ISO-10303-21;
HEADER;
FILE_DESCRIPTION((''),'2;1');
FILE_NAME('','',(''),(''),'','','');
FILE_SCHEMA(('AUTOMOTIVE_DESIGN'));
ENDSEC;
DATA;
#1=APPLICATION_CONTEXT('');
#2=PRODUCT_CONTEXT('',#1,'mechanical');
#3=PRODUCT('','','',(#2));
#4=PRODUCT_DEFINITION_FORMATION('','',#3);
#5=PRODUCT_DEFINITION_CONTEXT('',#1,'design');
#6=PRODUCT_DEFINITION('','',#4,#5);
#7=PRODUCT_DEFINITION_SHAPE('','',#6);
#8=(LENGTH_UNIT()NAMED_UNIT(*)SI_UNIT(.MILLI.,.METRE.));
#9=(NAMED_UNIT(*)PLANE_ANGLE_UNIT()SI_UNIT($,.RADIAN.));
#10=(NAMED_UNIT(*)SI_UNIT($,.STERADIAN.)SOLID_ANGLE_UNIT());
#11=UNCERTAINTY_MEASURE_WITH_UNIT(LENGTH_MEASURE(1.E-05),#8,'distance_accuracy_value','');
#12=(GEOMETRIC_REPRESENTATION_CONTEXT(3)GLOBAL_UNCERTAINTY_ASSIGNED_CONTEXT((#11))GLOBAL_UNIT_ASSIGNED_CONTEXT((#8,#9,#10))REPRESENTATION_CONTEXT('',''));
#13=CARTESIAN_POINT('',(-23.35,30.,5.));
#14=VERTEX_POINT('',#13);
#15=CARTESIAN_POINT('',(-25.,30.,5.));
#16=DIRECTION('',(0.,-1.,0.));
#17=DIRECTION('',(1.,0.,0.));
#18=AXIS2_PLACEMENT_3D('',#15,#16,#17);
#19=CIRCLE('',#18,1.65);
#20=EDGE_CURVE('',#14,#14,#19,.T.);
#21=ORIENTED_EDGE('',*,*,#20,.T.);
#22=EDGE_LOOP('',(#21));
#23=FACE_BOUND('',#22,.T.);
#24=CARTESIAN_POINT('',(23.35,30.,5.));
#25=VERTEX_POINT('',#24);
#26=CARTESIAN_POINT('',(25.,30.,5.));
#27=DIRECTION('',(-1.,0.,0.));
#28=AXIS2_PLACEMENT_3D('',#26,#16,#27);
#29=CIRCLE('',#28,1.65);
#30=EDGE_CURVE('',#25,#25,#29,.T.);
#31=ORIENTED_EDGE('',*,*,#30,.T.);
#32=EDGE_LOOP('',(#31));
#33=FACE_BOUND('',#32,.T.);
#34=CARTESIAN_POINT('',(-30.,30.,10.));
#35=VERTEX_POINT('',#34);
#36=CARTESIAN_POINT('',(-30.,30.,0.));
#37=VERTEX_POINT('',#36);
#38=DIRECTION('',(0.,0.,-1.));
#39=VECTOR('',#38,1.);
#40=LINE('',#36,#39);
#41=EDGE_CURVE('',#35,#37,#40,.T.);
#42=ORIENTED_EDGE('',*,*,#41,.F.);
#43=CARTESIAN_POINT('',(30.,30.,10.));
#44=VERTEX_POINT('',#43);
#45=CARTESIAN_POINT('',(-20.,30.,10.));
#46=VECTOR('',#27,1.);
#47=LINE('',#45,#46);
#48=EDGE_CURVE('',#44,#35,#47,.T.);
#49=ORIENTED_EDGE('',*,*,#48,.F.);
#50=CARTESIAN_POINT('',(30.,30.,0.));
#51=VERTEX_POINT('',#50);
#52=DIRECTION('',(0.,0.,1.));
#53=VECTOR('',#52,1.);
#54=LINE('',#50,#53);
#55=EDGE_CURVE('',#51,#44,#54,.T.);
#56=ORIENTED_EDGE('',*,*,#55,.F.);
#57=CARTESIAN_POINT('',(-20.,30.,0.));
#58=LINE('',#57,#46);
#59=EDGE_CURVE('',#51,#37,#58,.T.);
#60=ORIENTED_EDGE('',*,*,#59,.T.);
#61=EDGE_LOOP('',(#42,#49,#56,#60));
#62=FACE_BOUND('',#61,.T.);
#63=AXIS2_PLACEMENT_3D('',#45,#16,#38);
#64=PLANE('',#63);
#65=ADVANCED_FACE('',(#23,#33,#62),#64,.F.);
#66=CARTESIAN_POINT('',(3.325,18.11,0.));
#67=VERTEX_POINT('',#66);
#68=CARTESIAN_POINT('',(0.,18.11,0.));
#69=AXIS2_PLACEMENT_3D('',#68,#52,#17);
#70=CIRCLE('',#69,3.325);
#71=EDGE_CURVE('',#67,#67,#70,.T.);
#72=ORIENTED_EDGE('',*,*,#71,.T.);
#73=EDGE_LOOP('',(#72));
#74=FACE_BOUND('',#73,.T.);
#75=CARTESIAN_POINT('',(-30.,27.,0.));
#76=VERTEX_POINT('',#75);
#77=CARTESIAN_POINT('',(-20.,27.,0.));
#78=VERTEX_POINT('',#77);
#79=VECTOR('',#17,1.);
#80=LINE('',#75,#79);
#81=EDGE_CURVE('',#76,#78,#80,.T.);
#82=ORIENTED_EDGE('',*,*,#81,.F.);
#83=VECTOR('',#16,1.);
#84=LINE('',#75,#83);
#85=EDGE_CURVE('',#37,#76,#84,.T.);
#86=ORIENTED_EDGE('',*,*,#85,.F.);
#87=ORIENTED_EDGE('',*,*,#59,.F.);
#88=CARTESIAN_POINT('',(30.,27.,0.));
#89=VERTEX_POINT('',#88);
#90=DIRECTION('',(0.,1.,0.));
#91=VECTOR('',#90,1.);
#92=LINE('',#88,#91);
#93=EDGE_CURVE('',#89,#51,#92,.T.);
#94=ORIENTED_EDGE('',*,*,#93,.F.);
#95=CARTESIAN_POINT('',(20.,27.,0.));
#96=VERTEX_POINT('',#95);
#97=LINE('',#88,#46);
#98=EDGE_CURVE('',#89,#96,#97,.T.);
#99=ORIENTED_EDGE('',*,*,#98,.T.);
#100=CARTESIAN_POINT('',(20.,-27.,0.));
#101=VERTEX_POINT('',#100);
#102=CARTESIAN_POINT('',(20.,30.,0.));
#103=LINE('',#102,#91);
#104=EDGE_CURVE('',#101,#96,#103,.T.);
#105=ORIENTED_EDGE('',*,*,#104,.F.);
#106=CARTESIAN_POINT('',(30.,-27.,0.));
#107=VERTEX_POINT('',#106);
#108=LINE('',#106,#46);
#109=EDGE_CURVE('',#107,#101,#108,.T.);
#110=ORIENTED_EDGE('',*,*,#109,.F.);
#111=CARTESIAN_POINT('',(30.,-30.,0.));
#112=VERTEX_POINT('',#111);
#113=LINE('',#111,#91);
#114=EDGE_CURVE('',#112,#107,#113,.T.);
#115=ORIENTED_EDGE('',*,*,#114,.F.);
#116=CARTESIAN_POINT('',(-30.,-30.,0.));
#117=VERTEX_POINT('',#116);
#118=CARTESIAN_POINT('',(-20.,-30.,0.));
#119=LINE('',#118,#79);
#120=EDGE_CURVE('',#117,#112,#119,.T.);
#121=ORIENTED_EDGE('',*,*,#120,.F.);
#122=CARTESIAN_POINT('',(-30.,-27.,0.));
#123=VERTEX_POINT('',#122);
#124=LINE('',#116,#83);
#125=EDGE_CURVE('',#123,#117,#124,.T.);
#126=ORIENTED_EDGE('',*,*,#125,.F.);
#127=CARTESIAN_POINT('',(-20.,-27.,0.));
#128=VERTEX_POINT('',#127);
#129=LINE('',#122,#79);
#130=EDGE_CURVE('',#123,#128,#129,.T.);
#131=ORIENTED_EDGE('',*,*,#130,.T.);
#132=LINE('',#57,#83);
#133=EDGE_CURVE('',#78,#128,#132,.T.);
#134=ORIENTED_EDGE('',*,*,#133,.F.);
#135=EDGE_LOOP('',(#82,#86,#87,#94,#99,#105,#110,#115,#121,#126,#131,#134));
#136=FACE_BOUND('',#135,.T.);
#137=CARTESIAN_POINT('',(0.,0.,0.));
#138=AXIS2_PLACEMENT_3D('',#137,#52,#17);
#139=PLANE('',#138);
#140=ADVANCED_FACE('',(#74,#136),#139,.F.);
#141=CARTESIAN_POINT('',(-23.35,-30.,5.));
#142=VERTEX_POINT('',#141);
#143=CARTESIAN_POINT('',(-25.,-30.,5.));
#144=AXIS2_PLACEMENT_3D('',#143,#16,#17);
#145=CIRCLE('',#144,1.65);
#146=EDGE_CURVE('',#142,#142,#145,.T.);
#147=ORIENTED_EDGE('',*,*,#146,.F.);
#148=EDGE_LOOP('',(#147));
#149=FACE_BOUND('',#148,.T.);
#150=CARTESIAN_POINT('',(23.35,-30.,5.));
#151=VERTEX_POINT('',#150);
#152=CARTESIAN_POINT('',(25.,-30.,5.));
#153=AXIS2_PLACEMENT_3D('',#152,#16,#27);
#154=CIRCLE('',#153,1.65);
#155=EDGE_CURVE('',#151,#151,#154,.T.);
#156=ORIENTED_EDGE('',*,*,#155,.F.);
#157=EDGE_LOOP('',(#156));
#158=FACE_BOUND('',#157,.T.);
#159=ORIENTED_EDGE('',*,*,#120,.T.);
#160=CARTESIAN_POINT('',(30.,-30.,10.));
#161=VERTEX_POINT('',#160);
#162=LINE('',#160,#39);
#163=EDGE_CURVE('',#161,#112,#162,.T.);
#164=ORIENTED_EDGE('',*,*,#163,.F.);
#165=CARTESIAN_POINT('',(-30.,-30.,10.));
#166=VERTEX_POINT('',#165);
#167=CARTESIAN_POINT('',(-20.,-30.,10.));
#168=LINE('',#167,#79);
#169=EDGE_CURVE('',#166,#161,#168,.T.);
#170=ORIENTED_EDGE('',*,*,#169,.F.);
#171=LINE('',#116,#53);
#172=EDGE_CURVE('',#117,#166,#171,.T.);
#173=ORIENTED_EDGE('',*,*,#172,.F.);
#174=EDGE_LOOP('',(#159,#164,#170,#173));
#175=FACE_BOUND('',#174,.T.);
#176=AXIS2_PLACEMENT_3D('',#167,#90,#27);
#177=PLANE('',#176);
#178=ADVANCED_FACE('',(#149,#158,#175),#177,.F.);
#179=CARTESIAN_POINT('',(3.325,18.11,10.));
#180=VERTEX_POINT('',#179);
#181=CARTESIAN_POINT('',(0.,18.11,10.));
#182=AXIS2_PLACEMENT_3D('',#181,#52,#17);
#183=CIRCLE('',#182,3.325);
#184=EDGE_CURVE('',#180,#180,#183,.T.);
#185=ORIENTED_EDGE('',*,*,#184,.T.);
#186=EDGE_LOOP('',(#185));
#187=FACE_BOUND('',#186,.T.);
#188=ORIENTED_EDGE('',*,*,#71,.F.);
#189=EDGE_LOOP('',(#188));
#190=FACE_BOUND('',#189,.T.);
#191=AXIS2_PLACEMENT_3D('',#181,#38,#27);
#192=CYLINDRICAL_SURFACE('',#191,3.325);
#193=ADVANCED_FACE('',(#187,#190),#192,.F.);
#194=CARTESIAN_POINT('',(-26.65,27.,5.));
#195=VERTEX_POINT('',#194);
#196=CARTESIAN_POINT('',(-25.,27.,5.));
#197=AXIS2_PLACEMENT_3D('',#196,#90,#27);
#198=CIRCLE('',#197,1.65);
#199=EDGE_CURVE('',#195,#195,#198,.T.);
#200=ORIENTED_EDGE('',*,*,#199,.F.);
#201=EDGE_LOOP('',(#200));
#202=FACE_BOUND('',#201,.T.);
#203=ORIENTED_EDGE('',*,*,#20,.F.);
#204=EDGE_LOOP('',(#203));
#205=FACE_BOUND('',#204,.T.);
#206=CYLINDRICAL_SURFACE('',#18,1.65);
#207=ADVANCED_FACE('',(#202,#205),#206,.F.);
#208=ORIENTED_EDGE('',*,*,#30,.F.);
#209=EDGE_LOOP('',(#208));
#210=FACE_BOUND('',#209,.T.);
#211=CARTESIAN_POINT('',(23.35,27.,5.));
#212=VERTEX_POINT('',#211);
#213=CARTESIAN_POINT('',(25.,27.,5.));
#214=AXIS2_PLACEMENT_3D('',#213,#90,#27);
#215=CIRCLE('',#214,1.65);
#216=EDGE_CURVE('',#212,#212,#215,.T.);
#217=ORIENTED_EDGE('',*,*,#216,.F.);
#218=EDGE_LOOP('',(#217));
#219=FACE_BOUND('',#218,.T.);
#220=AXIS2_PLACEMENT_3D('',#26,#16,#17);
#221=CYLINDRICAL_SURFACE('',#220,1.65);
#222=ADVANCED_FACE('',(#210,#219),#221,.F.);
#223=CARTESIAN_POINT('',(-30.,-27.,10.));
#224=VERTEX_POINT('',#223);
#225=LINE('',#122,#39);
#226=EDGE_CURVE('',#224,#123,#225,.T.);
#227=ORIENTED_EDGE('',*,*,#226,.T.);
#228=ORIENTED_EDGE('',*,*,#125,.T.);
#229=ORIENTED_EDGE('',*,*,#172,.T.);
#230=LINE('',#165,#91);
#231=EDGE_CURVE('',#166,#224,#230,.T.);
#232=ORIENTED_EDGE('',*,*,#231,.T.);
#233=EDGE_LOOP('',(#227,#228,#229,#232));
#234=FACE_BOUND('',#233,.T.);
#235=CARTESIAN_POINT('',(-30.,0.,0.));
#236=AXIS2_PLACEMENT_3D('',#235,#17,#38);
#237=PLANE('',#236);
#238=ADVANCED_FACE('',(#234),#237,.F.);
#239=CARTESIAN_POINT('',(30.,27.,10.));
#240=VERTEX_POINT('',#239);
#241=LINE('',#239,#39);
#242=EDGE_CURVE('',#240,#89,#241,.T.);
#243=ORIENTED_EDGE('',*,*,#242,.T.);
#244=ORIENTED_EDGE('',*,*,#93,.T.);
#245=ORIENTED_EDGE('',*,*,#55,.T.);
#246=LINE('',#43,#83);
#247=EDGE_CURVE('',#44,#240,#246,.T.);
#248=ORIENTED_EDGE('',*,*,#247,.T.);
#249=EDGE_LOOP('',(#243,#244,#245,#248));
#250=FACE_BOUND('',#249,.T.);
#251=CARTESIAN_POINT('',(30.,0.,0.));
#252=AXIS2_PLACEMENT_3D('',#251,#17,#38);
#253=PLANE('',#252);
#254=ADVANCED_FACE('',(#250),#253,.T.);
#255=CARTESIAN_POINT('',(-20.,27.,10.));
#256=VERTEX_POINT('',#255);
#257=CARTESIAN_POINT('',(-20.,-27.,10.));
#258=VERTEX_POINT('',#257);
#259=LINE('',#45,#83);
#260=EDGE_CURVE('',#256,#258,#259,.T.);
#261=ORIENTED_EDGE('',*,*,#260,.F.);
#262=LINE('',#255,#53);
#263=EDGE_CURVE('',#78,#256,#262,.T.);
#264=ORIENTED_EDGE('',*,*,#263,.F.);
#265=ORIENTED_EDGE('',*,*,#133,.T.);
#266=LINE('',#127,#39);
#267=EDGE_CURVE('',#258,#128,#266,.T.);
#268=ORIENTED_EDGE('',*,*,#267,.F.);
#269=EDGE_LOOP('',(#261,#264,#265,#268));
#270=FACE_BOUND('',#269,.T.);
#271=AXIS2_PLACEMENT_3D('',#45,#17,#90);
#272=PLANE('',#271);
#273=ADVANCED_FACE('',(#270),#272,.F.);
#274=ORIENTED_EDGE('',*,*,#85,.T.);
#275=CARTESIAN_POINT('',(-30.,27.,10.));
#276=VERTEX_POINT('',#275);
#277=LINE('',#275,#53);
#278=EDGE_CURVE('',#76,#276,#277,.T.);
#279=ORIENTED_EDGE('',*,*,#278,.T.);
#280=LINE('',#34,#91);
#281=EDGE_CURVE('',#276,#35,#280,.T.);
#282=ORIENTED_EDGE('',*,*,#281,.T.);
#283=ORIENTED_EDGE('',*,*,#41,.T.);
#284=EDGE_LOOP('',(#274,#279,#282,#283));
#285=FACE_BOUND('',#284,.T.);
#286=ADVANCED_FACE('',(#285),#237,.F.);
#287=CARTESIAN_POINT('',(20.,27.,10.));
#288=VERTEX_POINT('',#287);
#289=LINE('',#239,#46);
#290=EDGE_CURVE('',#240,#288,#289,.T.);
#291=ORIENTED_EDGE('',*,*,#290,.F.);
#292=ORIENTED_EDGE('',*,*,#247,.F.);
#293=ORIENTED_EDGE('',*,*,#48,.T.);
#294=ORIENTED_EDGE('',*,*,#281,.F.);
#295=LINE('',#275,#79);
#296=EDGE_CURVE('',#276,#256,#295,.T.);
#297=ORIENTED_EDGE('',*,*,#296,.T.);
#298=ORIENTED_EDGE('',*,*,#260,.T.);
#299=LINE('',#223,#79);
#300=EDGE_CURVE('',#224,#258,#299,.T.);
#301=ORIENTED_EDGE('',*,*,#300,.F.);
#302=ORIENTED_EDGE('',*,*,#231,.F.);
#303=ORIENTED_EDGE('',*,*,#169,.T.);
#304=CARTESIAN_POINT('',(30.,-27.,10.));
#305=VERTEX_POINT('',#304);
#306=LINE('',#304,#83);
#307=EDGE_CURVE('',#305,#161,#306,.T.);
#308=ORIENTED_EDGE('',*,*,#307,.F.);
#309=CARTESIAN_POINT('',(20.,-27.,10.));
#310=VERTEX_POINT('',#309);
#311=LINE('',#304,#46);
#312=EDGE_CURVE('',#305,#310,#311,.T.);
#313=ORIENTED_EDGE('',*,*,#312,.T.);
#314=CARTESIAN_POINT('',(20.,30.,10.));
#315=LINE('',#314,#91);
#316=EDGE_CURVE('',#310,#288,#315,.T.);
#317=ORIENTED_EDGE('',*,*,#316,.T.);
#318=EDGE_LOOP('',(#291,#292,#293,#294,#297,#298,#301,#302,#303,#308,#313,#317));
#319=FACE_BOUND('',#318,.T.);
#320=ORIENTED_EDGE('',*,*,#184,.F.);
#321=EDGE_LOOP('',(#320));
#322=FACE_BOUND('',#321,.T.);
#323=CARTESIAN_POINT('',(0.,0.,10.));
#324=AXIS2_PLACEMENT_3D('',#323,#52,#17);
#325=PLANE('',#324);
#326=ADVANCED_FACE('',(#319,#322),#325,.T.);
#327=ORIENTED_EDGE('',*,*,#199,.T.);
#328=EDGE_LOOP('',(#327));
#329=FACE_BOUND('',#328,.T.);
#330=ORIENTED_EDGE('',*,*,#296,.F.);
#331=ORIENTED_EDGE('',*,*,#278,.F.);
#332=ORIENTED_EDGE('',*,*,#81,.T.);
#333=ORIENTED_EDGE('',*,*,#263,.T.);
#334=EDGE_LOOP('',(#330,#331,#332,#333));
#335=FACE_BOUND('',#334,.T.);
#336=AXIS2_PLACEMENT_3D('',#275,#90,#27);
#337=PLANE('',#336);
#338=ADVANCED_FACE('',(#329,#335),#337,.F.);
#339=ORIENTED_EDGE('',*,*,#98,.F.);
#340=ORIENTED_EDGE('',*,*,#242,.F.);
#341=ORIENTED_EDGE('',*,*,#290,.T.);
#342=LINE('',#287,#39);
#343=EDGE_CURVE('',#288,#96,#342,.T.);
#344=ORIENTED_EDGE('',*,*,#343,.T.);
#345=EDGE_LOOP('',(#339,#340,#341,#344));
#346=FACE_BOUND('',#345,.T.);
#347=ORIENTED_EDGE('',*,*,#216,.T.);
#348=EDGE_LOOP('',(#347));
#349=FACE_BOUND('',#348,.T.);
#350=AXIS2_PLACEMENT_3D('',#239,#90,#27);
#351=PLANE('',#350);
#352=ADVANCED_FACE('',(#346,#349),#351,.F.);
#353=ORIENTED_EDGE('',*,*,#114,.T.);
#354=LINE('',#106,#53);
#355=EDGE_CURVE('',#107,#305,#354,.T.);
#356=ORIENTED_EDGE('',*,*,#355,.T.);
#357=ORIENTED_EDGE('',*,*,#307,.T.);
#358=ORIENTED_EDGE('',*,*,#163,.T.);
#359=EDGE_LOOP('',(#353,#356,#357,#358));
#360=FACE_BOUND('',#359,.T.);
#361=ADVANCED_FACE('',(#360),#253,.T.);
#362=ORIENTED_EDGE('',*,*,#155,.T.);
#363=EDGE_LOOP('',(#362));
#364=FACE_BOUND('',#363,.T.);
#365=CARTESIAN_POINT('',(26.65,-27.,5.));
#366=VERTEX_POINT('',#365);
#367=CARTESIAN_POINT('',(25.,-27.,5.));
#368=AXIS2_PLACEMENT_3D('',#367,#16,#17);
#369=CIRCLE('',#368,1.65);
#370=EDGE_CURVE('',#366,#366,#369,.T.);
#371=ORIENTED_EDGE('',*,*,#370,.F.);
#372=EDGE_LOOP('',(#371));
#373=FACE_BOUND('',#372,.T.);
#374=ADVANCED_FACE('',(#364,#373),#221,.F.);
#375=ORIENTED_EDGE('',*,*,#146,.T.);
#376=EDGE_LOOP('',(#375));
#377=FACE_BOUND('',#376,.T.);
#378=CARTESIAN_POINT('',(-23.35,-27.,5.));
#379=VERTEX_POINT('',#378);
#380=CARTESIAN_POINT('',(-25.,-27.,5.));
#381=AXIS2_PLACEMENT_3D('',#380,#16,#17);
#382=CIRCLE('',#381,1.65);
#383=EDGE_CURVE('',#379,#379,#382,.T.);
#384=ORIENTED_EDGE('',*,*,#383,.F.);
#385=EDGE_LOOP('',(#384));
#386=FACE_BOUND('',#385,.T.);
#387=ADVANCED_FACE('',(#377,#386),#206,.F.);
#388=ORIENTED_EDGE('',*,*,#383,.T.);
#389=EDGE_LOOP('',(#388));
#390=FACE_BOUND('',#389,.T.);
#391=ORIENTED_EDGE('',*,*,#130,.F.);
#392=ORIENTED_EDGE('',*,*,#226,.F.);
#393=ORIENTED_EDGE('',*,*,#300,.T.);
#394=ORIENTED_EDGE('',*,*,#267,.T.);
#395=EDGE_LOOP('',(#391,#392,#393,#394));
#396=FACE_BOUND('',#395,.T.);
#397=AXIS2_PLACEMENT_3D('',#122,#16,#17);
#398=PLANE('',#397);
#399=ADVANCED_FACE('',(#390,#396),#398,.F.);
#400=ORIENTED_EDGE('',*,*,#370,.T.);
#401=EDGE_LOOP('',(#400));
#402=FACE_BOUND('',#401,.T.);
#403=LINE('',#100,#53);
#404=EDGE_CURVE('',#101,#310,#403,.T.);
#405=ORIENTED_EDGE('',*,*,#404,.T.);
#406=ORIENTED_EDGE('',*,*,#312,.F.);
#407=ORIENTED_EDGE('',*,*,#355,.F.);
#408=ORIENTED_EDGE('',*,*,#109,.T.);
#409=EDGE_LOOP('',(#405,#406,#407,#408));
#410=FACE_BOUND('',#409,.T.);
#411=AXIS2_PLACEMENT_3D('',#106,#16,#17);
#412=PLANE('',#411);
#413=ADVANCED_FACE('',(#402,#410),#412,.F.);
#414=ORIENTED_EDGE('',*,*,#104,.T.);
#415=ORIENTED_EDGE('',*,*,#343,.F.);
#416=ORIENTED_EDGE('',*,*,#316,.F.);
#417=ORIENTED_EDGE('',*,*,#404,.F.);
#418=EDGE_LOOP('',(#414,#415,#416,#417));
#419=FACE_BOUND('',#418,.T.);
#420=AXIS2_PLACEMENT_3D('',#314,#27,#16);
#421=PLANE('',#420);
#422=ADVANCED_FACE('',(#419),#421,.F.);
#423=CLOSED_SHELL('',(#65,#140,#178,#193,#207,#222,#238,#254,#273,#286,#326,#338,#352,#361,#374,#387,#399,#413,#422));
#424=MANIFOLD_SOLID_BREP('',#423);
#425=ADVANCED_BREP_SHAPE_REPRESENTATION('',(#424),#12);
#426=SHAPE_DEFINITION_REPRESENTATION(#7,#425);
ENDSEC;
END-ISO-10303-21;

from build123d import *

# Parameters (mm, degrees)
SKETCH1_W                    = 40
SKETCH1_H                    = 60
SKETCH1_R                    = 3.325
BOSS_EXTRUDE1_DEPTH          = 10
ESQUISSE1_W                  = 10
ESQUISSE1_H                  = 3
BOSS_EXTRU_1_DEPTH           = 10
ESQUISSE2_W                  = 10
ESQUISSE2_H                  = 3
BOSS_EXTRU_2_DEPTH           = 10
ENL_V_MAT_EXTRU_1_DEPTH      = 66.184353951
ENL_V_MAT_EXTRU_1_DEPTH_BACK = 66.184353951
ESQUISSE3_R                  = 1.65


with BuildPart() as part:
    # Sketch1 → Boss-Extrude1 (new body)
    with BuildSketch(Plane.XY):
        Rectangle(SKETCH1_W, SKETCH1_H)
        with Locations((0, 18.11)):
            Circle(SKETCH1_R, mode=Mode.SUBTRACT)
    extrude(amount=BOSS_EXTRUDE1_DEPTH)

    # Esquisse1 → Boss.-Extru.1 (add)
    with BuildSketch(Plane(origin=(20, 0, 0), x_dir=(0, 0, -1), z_dir=(1, 0, 0))):
        with Locations((-5, 28.5)):
            Rectangle(ESQUISSE1_W, ESQUISSE1_H)
        with Locations((-5, -28.5)):
            Rectangle(ESQUISSE1_W, ESQUISSE1_H)
    extrude(amount=BOSS_EXTRU_1_DEPTH)

    # Esquisse2 → Boss.-Extru.2 (add)
    with BuildSketch(Plane.ZY.offset(20)):
        with Locations((5, 28.5)):
            Rectangle(ESQUISSE2_W, ESQUISSE2_H)
        with Locations((5, -28.5)):
            Rectangle(ESQUISSE2_W, ESQUISSE2_H)
    extrude(amount=BOSS_EXTRU_2_DEPTH)

    # Esquisse3 → Enlèv. mat.-Extru.1 (cut, two sides: drawn at the far end of the back side and taken through both)
    with BuildSketch(Plane.XZ.offset(-27).offset(-ENL_V_MAT_EXTRU_1_DEPTH_BACK)):
        with Locations((-25, 5)):
            Circle(ESQUISSE3_R)
        with Locations((25, 5)):
            Circle(ESQUISSE3_R)
    extrude(amount=ENL_V_MAT_EXTRU_1_DEPTH + ENL_V_MAT_EXTRU_1_DEPTH_BACK, mode=Mode.SUBTRACT)


solid = part.part
